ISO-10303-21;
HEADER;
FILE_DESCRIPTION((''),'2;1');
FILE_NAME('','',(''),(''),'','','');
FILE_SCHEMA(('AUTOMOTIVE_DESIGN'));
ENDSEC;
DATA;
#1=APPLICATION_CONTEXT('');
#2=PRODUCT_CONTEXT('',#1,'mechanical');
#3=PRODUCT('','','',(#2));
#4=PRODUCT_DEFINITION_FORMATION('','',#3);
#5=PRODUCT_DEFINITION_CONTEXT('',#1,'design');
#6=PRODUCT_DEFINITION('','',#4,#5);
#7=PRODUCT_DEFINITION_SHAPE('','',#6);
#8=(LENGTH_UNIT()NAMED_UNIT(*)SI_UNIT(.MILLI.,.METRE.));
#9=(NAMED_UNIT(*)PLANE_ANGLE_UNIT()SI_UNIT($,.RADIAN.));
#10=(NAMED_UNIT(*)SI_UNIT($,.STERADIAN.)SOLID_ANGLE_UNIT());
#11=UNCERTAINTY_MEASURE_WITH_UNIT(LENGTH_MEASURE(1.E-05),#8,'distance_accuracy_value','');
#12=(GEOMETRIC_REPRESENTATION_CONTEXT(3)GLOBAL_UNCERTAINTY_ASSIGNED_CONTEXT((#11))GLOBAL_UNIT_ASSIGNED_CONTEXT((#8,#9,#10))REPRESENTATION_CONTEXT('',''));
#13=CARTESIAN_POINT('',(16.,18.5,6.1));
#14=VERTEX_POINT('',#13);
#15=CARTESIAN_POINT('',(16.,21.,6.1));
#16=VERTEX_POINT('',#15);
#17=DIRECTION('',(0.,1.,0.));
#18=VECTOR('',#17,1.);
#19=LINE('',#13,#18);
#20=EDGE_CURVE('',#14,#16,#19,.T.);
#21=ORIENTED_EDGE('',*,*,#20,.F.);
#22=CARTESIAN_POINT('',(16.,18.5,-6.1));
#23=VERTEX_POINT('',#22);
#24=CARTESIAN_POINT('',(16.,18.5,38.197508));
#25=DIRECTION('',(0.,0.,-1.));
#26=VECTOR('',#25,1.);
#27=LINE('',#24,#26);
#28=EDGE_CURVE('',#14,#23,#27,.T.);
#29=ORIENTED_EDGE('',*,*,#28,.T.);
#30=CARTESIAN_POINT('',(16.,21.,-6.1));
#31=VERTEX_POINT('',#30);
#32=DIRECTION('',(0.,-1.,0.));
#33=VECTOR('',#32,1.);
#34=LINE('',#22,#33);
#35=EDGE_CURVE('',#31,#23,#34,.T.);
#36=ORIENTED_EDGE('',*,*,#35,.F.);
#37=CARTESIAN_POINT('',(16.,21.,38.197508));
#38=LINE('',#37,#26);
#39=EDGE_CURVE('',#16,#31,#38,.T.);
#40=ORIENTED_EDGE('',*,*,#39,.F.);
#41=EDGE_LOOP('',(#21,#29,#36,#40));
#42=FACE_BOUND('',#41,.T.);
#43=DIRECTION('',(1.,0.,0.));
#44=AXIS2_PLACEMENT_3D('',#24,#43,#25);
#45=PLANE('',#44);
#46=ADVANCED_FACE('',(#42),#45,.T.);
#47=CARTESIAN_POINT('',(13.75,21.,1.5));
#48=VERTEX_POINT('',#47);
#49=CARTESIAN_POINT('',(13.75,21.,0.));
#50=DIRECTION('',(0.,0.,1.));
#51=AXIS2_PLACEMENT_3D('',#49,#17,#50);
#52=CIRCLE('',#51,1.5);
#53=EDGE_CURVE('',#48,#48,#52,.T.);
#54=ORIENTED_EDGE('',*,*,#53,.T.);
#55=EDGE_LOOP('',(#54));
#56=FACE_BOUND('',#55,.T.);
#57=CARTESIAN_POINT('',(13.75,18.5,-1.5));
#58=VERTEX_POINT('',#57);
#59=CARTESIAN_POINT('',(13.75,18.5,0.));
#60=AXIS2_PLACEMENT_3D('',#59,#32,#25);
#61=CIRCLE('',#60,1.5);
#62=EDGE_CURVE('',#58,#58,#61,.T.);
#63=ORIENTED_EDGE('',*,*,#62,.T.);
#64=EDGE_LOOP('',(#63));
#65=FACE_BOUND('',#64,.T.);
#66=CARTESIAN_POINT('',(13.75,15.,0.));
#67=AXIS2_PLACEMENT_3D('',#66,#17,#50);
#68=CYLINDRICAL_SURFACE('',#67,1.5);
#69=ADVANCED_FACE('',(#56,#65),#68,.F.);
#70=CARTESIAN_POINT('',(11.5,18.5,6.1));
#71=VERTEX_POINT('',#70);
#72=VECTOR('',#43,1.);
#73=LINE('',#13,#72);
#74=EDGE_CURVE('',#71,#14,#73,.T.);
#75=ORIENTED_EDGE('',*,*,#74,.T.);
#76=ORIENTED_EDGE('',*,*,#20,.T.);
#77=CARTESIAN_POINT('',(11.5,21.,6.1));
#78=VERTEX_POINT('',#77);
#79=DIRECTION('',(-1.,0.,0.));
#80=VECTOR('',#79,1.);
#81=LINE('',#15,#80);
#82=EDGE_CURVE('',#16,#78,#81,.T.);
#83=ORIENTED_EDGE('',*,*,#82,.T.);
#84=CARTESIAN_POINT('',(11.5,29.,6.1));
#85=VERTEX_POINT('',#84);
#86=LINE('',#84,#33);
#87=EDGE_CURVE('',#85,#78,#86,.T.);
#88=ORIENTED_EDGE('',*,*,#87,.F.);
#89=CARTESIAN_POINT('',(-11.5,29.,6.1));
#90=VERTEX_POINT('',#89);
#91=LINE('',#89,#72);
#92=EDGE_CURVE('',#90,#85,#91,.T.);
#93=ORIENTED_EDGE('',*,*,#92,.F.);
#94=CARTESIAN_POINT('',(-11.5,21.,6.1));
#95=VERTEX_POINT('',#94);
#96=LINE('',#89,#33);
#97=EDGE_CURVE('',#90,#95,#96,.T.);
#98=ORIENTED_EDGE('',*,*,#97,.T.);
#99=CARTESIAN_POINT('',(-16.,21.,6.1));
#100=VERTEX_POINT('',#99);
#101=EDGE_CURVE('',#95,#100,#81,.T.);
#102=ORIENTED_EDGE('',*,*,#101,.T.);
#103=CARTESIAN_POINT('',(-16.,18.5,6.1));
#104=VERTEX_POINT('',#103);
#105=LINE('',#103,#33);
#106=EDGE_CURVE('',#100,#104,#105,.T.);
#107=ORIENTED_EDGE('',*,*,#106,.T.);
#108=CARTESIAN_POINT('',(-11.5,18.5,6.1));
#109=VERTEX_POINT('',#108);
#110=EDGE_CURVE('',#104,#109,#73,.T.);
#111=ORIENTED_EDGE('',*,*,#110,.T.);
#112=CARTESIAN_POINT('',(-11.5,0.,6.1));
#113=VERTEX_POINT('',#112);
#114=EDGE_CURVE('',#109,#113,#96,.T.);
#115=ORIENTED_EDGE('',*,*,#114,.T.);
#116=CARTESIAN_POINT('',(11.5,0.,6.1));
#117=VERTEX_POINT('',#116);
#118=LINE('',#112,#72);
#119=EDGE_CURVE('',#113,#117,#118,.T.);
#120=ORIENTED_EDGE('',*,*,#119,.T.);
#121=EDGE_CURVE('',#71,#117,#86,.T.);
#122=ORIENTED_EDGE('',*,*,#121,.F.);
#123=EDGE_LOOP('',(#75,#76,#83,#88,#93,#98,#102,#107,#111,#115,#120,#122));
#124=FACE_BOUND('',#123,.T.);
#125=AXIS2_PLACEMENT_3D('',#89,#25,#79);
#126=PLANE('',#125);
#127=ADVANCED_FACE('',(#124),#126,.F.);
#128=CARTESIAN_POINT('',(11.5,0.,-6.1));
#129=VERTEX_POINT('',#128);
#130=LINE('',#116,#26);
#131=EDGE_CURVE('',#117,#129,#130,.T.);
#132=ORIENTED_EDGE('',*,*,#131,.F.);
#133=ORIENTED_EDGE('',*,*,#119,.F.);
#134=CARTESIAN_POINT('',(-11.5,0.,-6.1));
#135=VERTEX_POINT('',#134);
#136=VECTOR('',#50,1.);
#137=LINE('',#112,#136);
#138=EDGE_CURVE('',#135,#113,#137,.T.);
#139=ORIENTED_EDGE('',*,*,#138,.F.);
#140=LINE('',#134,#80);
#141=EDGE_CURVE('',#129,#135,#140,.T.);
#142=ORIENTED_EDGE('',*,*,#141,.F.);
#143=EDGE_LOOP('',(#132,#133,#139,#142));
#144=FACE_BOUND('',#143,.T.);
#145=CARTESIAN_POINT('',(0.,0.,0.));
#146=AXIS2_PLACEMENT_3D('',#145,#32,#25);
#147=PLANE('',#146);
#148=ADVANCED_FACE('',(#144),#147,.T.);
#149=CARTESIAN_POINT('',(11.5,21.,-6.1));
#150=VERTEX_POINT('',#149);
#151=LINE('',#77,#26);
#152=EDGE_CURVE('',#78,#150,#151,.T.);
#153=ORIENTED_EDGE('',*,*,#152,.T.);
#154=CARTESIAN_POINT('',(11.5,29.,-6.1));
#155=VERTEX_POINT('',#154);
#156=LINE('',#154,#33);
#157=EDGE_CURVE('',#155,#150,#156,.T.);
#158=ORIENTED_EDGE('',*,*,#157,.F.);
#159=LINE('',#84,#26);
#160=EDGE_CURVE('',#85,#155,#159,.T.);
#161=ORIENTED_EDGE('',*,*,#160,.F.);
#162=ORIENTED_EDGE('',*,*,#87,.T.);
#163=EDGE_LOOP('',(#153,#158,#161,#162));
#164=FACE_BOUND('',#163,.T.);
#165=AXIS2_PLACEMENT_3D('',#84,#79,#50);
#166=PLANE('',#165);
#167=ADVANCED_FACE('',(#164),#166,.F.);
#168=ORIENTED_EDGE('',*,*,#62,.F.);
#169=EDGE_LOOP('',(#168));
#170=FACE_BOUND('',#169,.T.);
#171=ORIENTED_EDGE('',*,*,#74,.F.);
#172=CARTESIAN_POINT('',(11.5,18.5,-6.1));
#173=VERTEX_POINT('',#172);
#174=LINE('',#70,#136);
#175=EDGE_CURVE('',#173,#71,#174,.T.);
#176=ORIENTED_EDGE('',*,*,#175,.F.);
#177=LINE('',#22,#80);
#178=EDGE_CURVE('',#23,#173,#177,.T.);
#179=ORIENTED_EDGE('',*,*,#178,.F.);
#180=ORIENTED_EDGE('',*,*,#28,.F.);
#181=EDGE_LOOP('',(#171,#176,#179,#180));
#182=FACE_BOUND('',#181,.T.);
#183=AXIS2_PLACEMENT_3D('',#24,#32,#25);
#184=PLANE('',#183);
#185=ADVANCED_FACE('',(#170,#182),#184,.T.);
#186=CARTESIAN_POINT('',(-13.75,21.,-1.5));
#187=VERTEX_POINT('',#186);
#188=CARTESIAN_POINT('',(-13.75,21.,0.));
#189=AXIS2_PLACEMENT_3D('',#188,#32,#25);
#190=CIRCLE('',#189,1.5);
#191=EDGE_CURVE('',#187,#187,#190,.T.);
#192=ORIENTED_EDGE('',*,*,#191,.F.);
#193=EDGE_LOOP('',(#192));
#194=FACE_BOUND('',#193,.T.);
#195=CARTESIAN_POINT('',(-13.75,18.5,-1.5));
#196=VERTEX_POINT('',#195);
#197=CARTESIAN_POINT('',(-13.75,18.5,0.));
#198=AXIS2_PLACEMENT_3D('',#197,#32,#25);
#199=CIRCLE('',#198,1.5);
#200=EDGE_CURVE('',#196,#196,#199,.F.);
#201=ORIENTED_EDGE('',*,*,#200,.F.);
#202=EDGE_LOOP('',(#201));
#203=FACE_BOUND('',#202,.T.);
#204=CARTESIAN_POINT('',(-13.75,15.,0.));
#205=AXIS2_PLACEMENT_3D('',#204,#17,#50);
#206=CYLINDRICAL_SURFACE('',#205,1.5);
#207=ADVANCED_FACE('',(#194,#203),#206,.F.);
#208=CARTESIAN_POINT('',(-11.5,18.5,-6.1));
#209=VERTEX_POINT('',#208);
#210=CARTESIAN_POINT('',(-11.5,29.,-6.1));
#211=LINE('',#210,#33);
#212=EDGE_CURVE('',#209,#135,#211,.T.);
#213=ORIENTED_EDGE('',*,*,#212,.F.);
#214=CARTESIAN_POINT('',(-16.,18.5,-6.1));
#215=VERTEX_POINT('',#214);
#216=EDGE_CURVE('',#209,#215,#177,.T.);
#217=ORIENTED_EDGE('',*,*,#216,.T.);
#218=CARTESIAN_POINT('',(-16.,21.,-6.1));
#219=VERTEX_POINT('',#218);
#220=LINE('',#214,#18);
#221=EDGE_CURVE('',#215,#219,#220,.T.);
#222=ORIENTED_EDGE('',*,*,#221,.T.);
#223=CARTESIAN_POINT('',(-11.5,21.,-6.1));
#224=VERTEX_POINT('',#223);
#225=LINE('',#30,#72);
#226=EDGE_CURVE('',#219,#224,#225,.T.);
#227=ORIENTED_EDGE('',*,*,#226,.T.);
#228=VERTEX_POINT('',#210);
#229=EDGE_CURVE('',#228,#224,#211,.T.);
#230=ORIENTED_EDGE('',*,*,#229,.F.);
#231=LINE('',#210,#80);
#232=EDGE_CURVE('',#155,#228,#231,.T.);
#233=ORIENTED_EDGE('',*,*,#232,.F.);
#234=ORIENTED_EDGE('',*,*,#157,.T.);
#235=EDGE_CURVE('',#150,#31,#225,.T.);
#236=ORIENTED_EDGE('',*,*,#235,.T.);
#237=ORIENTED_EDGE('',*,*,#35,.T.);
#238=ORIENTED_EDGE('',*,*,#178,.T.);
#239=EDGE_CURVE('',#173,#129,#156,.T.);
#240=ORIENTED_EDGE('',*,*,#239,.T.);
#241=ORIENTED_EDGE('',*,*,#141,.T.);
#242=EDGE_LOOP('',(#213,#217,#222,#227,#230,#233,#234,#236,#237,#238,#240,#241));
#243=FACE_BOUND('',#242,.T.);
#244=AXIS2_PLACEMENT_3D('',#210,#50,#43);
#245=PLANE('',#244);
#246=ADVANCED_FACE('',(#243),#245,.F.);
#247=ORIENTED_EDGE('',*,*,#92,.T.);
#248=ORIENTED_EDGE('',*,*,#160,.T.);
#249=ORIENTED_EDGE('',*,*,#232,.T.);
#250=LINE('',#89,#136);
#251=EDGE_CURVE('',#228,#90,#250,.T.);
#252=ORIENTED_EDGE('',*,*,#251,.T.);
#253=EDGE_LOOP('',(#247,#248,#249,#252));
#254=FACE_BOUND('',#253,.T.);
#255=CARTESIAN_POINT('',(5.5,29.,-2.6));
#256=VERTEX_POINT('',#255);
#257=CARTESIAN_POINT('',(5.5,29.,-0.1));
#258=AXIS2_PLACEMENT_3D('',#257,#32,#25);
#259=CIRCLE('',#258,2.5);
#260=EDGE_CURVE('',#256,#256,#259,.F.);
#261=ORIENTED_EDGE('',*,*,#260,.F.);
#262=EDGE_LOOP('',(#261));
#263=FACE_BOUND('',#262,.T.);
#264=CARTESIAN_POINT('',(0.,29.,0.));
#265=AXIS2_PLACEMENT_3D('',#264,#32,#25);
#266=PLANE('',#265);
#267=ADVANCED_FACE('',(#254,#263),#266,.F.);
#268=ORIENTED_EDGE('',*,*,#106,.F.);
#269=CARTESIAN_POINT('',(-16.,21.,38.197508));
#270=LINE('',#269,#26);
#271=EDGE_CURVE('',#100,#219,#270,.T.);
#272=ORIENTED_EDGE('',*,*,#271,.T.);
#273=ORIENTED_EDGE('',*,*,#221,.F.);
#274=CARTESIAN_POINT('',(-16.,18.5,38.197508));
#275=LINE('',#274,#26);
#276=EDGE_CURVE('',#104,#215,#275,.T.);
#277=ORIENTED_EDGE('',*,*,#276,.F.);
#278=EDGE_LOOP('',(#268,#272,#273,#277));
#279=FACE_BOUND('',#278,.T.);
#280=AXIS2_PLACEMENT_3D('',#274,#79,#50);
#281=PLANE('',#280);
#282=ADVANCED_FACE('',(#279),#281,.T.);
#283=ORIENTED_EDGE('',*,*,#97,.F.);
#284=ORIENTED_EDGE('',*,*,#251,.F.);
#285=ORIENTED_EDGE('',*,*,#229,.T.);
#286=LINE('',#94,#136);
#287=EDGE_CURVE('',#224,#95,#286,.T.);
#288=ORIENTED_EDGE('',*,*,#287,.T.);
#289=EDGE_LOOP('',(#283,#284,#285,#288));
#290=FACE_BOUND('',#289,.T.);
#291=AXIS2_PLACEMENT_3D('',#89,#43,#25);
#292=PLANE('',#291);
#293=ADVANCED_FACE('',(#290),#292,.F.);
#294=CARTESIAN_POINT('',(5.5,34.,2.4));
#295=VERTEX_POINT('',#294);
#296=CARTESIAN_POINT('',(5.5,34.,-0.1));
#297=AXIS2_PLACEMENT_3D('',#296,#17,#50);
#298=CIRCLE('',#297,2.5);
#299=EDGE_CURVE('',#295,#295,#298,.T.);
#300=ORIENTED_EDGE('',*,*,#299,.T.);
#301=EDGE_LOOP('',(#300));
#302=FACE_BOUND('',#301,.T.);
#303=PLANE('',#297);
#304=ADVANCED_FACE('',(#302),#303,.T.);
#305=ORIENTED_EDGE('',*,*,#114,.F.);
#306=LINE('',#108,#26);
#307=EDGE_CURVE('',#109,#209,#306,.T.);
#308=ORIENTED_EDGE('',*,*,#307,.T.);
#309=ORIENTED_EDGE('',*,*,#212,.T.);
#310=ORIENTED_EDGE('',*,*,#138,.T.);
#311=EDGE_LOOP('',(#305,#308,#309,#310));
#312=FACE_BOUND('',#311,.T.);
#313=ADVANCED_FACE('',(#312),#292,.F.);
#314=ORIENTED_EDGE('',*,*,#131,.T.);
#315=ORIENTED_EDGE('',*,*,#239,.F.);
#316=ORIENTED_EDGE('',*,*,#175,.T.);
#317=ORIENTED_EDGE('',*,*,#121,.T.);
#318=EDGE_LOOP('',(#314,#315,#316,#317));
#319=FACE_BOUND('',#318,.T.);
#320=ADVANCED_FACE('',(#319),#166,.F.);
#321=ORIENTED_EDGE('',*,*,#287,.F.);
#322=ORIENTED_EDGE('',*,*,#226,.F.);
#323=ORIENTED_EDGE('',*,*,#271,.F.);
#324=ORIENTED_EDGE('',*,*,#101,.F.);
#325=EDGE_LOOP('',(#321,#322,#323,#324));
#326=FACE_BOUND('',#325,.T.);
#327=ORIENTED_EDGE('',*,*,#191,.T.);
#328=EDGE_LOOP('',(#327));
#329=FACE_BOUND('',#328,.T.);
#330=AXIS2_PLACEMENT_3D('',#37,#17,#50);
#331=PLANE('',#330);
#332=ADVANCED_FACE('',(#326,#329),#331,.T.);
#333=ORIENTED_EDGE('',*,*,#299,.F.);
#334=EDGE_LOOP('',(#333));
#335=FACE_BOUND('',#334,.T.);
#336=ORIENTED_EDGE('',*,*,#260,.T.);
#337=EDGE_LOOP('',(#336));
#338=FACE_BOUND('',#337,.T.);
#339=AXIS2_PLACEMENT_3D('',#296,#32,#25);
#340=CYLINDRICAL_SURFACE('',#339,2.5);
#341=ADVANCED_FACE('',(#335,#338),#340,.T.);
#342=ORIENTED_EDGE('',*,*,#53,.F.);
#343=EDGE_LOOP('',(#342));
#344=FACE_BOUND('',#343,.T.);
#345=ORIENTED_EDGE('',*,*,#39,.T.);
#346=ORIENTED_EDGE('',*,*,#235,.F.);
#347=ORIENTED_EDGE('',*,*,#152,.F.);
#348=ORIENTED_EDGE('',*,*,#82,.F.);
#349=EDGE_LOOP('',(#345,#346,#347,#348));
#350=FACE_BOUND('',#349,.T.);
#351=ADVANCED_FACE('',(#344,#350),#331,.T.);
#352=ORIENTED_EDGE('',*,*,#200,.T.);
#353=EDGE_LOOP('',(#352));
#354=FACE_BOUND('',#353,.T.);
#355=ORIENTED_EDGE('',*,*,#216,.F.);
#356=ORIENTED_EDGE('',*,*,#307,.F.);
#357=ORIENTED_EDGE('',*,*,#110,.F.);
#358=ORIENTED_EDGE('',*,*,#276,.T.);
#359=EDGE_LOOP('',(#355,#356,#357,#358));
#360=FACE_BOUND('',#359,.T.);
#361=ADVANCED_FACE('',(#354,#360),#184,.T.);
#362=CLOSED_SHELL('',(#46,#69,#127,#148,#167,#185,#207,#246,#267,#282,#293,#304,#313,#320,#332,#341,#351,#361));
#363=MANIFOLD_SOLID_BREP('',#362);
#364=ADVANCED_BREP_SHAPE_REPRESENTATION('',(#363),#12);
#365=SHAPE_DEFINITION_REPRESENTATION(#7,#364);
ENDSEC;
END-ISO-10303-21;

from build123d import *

# Parameters (mm, degrees)
SKETCH_1_W          = 23
SKETCH_1_H          = 12.2
EXTRUDE_1_DEPTH     = 29
SKETCH_2_W          = 32
SKETCH_2_H          = 2.5
EXTRUDE_2_DEPTH     = 12.2
SKETCH_3_R          = 1.5
CUT_EXTRUDE_1_DEPTH = 6
SKETCH_4_R          = 2.5
EXTRUDE_3_DEPTH     = 5


with BuildPart() as part:
    # Эскиз1 → Бобышка-Вытянуть1 (new body)
    with BuildSketch(Plane(origin=(0, 0, 0), x_dir=(1, 0, 0), z_dir=(0, 1, 0))):
        Rectangle(SKETCH_1_W, SKETCH_1_H)
    extrude(amount=EXTRUDE_1_DEPTH)

    # Эскиз2 → Бобышка-Вытянуть2 (add)
    with BuildSketch(Plane(origin=(0, 0, -6.1), x_dir=(-1, 0, 0), z_dir=(0, 0, -1))):
        with Locations((0, 19.75)):
            Rectangle(SKETCH_2_W, SKETCH_2_H)
    extrude(amount=-EXTRUDE_2_DEPTH)

    # Эскиз3 → Вырез-Вытянуть1 (cut)
    with BuildSketch(Plane(origin=(0, 21, 0), x_dir=(1, 0, 0), z_dir=(0, 1, 0))):
        with Locations(Location((13.75, 0, 0), (0, 0, 270))):
            Circle(SKETCH_3_R)
        with Locations(Location((-13.75, 0, 0), (0, 0, 90))):
            Circle(SKETCH_3_R)
    extrude(amount=-CUT_EXTRUDE_1_DEPTH, mode=Mode.SUBTRACT)

    # Эскиз4 → Бобышка-Вытянуть3 (add)
    with BuildSketch(Plane(origin=(0, 29, 0), x_dir=(1, 0, 0), z_dir=(0, 1, 0))):
        with Locations(Location((5.5, 0.1, 0), (0, 0, 90))):
            Circle(SKETCH_4_R)
    extrude(amount=EXTRUDE_3_DEPTH)


solid = part.part
